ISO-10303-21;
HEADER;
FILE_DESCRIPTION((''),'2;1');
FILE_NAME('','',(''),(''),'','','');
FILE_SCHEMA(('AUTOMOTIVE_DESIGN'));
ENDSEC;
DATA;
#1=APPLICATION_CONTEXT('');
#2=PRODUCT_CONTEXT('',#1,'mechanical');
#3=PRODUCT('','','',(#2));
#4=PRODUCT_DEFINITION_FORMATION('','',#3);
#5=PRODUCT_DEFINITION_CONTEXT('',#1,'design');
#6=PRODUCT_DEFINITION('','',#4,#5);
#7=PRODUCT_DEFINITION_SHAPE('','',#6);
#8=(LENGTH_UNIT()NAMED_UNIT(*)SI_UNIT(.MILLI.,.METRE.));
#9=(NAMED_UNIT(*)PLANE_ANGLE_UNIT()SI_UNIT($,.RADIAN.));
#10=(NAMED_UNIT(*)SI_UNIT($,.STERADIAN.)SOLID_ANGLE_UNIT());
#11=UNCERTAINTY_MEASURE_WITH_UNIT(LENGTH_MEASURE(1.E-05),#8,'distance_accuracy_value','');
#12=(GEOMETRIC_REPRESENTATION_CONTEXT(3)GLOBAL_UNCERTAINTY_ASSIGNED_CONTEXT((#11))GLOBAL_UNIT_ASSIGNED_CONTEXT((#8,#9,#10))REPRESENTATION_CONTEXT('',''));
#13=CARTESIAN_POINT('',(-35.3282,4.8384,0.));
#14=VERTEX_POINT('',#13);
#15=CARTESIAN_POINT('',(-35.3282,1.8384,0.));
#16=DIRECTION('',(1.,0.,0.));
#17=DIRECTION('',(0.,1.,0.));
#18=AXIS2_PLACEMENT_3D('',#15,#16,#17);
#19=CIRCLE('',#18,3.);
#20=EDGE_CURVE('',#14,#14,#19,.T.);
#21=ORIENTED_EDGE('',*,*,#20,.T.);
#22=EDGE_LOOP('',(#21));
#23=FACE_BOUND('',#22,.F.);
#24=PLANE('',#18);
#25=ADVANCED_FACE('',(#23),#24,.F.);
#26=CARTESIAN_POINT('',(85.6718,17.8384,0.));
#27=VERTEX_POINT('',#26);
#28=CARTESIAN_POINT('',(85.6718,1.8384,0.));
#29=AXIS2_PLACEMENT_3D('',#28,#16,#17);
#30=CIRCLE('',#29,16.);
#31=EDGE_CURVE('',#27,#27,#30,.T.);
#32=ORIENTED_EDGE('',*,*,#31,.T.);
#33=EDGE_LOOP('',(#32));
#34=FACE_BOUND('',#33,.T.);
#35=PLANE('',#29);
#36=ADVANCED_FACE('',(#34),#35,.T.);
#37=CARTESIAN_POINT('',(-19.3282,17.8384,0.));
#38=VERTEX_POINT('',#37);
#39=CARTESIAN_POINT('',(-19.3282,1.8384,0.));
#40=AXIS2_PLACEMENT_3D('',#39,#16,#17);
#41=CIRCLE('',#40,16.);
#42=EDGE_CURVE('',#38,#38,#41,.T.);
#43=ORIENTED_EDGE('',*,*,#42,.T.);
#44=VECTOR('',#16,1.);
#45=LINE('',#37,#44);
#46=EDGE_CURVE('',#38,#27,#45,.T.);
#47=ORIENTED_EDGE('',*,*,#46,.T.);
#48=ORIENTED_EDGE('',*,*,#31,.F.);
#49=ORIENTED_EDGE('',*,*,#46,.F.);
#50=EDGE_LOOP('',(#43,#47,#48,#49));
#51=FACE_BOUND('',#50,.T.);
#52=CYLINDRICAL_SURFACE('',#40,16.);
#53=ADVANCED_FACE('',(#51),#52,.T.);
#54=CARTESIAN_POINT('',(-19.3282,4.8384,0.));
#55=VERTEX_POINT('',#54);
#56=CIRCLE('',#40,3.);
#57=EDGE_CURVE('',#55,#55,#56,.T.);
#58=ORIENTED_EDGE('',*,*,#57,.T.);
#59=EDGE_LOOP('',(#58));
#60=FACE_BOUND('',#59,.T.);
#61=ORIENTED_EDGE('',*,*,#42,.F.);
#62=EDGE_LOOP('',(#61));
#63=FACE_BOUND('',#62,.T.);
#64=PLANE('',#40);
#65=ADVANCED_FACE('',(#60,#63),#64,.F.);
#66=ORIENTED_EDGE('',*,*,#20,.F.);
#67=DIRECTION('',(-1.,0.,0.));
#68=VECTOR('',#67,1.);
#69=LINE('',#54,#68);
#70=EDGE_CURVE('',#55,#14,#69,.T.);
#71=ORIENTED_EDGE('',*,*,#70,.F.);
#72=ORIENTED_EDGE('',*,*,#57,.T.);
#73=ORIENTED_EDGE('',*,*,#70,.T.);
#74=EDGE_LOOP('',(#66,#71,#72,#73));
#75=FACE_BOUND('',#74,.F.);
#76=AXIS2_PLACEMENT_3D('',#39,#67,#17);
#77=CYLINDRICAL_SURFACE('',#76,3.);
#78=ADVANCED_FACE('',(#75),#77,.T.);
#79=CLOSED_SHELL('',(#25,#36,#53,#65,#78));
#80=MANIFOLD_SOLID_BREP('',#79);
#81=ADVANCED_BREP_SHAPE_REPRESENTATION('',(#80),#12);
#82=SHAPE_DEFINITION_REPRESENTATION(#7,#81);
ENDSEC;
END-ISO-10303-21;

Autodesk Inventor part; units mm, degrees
ref_plane "YZ Plane" through (0, 0, 0) normal (1, 0, 0) x (0, 1, 0)
ref_plane "XZ Plane" through (0, 0, 0) normal (0, 1, 0) x (-1, 0, 0)
ref_plane "XY Plane" through (0, 0, 0) normal (0, 0, 1) x (1, 0, 0)
sketch "Sketch2" plane through (0, 0, 0) normal (0, 0, 1) x (1, 0, 0)
  line L0 (-19.3282, 17.8384) -> (85.6718, 17.8384)
  line L1 (85.6718, 17.8384) -> (85.6718, 1.8384)
  line L2 (-19.3282, 4.8384) -> (-35.3282, 4.8384)
  line L3 (-35.3282, 4.8384) -> (-35.3282, 1.8384)
  line L4 (-35.3282, 1.8384) -> (-19.3282, 1.8384)
  line L5 (-19.3282, 1.8384) -> (-19.3282, 4.8384)
  line L6 (-54.2545, 1.8384) -> (116.821, 1.8384)
  line L7 (-19.3282, 1.8384) -> (-19.3282, 4.8384)
  line L8 (-19.3282, 1.8384) -> (-19.3282, 17.8384)
  point P0 (0, 0)
  dimension "d1" = 16
  dimension "d3" = 3
  dimension "d4" = 16
  dimension "d5" = 105
revolve "Revolution1" add sketch "Sketch2" angle 360 about axis through (-54.2545, 1.8384, 0) along (1, 0, 0)
properties part number "planetary motor"
